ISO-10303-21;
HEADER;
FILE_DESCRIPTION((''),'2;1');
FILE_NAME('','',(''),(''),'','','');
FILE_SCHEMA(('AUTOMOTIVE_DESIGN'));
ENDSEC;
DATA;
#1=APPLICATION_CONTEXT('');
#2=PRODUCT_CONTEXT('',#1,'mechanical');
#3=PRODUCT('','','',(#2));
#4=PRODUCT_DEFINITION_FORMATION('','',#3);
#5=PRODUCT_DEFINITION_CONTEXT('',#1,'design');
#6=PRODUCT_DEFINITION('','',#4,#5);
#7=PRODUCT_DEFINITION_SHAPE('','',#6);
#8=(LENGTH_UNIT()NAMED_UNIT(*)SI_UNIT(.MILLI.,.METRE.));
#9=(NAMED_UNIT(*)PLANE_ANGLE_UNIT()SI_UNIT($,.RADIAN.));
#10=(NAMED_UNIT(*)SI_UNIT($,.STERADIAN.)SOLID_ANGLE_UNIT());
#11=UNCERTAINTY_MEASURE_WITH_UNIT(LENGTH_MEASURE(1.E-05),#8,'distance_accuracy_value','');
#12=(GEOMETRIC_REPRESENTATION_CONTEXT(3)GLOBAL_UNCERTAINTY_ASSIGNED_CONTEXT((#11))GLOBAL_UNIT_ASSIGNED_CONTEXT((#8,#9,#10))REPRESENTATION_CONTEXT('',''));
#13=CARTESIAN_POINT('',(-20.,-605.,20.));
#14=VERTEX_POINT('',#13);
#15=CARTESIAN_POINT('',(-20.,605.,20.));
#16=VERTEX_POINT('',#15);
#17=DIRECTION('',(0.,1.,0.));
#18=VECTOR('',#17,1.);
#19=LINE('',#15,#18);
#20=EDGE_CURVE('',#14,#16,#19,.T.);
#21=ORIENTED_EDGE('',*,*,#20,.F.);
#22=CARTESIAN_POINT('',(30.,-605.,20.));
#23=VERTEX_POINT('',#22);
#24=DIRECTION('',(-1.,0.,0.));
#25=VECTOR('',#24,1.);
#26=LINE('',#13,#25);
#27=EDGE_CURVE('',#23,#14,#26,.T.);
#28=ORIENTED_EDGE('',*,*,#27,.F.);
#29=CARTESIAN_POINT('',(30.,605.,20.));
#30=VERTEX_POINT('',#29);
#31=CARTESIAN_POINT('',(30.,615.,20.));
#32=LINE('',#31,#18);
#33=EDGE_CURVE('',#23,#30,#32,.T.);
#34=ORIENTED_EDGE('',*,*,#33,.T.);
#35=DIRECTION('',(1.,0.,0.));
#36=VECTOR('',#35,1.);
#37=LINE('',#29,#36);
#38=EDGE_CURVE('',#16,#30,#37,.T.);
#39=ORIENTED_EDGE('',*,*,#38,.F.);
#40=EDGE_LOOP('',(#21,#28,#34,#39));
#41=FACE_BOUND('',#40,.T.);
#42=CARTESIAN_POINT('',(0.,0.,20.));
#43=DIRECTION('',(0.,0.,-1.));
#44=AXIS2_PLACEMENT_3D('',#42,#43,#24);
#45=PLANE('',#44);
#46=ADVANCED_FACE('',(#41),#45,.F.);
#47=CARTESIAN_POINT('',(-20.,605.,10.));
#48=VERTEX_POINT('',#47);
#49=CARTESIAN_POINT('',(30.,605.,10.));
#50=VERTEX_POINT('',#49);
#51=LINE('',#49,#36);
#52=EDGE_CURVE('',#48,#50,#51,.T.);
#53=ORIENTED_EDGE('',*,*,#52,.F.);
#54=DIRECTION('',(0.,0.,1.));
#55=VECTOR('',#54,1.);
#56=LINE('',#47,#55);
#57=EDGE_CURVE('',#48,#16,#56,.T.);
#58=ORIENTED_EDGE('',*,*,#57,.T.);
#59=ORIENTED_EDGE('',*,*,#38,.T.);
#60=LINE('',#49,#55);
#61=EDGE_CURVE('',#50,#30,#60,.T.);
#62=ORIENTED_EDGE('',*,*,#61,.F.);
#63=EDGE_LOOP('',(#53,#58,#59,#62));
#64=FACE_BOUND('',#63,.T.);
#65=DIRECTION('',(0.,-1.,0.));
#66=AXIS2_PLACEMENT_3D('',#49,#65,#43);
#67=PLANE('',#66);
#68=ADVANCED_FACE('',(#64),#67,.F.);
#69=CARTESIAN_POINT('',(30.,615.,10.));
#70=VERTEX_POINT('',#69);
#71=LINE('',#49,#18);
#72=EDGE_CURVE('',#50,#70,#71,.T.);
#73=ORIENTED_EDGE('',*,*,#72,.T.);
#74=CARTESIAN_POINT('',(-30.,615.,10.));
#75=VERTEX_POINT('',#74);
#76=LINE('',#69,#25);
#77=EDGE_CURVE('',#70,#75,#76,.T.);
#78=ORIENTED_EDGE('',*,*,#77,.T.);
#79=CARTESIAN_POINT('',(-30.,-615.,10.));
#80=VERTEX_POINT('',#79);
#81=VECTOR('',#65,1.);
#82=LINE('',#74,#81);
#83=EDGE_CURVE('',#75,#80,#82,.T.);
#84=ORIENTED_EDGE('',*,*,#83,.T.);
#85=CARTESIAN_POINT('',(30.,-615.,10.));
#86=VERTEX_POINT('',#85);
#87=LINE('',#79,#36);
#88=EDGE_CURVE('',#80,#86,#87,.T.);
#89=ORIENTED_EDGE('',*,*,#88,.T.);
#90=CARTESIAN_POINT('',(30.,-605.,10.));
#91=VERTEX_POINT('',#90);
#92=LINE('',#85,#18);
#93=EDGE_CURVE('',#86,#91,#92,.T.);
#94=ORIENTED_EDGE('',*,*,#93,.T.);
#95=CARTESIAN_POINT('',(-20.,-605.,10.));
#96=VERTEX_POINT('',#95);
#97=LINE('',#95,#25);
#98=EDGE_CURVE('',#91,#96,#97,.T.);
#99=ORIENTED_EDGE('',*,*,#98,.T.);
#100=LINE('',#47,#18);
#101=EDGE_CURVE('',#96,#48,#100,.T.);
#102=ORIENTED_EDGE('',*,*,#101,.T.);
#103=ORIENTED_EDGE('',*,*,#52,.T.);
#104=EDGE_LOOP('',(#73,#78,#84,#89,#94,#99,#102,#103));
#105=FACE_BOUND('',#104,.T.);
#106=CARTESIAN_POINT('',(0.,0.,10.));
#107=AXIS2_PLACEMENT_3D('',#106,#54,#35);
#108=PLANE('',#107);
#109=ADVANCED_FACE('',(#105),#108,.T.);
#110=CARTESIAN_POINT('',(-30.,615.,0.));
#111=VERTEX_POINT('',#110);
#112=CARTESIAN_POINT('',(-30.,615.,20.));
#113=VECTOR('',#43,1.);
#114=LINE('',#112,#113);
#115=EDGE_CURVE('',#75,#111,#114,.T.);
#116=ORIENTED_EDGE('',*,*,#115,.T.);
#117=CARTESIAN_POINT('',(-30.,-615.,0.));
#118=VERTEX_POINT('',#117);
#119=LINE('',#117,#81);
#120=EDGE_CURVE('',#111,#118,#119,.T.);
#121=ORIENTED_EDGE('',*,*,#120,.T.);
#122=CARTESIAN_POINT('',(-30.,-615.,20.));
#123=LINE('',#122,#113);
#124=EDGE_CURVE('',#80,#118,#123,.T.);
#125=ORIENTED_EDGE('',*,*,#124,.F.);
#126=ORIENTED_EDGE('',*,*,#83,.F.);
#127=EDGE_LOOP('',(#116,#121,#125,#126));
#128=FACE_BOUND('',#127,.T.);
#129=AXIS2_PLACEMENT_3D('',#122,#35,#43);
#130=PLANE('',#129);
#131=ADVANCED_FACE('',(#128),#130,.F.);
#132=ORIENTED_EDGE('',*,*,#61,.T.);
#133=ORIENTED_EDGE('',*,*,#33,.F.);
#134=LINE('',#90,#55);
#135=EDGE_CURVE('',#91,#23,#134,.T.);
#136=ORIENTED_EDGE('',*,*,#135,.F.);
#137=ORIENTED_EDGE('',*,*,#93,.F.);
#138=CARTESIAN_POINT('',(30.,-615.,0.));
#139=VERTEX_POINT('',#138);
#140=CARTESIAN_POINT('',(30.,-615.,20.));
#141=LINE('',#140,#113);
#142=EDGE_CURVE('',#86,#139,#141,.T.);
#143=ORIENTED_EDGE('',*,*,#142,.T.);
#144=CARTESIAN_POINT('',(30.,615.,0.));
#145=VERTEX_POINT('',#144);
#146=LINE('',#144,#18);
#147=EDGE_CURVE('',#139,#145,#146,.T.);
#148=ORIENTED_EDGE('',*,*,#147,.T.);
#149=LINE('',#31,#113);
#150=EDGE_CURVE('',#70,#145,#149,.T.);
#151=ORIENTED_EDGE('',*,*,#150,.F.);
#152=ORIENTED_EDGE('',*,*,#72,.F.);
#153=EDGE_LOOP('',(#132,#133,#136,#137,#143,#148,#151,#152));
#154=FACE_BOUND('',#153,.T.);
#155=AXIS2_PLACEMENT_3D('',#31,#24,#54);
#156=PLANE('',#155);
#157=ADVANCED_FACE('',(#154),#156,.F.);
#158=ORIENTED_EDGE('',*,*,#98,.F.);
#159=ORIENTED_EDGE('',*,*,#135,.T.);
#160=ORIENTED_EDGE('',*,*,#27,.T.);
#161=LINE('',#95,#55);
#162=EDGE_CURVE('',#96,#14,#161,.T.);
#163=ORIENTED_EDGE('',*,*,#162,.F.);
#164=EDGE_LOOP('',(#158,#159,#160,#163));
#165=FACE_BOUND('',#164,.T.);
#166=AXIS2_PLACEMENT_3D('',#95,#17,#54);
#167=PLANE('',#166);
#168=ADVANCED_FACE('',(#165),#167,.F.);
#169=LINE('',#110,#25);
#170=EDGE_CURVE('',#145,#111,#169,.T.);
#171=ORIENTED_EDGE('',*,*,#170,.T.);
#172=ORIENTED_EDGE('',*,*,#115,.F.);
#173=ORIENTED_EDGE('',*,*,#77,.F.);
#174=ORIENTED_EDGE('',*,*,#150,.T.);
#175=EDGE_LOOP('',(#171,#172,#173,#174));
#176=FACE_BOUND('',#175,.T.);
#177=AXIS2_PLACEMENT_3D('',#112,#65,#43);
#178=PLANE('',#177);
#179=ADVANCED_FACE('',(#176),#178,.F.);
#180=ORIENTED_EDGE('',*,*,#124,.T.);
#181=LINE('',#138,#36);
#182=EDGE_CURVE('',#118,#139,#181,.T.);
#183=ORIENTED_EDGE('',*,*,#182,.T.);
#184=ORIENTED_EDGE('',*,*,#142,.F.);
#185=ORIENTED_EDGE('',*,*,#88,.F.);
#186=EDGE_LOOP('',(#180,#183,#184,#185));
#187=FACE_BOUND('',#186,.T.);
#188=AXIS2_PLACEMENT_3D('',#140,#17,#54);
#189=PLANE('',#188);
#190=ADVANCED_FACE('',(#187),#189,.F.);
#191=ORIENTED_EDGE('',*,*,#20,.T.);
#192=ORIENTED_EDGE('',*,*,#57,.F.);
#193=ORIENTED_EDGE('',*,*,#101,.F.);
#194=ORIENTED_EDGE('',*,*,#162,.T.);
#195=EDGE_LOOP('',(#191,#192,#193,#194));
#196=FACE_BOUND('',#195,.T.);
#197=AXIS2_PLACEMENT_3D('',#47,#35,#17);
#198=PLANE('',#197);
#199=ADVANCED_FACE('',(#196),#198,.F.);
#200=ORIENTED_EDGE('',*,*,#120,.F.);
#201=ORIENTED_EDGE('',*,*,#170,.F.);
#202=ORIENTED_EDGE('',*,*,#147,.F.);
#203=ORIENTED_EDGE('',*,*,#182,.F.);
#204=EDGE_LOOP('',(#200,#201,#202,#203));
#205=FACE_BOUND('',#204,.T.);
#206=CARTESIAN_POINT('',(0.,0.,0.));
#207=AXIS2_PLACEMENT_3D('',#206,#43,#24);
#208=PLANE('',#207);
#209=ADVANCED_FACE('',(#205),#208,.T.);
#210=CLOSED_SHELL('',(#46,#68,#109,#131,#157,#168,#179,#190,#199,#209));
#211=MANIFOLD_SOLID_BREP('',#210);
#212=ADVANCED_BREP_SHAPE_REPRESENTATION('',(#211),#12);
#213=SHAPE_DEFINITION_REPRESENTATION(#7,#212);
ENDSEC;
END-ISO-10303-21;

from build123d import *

# Parameters (mm, degrees)
SKETCH1_W           = 60
SKETCH1_H           = 1230
BOSS_EXTRUDE1_DEPTH = 20
CUT_EXTRUDE1_DEPTH  = 10


with BuildPart() as part:
    # Sketch1 → Boss-Extrude1 (new body)
    with BuildSketch(Plane.XY):
        Rectangle(SKETCH1_W, SKETCH1_H)
    extrude(amount=BOSS_EXTRUDE1_DEPTH)

    # Sketch2 → Cut-Extrude1 (cut)
    with BuildSketch(Plane.XY.offset(20)):
        Polygon((30, 605), (-20, 605), (-20, -605), (30, -605), (30, -615), (-30, -615), (-30, 615), (30, 615), align=None)
    extrude(amount=-CUT_EXTRUDE1_DEPTH, mode=Mode.SUBTRACT)


solid = part.part
